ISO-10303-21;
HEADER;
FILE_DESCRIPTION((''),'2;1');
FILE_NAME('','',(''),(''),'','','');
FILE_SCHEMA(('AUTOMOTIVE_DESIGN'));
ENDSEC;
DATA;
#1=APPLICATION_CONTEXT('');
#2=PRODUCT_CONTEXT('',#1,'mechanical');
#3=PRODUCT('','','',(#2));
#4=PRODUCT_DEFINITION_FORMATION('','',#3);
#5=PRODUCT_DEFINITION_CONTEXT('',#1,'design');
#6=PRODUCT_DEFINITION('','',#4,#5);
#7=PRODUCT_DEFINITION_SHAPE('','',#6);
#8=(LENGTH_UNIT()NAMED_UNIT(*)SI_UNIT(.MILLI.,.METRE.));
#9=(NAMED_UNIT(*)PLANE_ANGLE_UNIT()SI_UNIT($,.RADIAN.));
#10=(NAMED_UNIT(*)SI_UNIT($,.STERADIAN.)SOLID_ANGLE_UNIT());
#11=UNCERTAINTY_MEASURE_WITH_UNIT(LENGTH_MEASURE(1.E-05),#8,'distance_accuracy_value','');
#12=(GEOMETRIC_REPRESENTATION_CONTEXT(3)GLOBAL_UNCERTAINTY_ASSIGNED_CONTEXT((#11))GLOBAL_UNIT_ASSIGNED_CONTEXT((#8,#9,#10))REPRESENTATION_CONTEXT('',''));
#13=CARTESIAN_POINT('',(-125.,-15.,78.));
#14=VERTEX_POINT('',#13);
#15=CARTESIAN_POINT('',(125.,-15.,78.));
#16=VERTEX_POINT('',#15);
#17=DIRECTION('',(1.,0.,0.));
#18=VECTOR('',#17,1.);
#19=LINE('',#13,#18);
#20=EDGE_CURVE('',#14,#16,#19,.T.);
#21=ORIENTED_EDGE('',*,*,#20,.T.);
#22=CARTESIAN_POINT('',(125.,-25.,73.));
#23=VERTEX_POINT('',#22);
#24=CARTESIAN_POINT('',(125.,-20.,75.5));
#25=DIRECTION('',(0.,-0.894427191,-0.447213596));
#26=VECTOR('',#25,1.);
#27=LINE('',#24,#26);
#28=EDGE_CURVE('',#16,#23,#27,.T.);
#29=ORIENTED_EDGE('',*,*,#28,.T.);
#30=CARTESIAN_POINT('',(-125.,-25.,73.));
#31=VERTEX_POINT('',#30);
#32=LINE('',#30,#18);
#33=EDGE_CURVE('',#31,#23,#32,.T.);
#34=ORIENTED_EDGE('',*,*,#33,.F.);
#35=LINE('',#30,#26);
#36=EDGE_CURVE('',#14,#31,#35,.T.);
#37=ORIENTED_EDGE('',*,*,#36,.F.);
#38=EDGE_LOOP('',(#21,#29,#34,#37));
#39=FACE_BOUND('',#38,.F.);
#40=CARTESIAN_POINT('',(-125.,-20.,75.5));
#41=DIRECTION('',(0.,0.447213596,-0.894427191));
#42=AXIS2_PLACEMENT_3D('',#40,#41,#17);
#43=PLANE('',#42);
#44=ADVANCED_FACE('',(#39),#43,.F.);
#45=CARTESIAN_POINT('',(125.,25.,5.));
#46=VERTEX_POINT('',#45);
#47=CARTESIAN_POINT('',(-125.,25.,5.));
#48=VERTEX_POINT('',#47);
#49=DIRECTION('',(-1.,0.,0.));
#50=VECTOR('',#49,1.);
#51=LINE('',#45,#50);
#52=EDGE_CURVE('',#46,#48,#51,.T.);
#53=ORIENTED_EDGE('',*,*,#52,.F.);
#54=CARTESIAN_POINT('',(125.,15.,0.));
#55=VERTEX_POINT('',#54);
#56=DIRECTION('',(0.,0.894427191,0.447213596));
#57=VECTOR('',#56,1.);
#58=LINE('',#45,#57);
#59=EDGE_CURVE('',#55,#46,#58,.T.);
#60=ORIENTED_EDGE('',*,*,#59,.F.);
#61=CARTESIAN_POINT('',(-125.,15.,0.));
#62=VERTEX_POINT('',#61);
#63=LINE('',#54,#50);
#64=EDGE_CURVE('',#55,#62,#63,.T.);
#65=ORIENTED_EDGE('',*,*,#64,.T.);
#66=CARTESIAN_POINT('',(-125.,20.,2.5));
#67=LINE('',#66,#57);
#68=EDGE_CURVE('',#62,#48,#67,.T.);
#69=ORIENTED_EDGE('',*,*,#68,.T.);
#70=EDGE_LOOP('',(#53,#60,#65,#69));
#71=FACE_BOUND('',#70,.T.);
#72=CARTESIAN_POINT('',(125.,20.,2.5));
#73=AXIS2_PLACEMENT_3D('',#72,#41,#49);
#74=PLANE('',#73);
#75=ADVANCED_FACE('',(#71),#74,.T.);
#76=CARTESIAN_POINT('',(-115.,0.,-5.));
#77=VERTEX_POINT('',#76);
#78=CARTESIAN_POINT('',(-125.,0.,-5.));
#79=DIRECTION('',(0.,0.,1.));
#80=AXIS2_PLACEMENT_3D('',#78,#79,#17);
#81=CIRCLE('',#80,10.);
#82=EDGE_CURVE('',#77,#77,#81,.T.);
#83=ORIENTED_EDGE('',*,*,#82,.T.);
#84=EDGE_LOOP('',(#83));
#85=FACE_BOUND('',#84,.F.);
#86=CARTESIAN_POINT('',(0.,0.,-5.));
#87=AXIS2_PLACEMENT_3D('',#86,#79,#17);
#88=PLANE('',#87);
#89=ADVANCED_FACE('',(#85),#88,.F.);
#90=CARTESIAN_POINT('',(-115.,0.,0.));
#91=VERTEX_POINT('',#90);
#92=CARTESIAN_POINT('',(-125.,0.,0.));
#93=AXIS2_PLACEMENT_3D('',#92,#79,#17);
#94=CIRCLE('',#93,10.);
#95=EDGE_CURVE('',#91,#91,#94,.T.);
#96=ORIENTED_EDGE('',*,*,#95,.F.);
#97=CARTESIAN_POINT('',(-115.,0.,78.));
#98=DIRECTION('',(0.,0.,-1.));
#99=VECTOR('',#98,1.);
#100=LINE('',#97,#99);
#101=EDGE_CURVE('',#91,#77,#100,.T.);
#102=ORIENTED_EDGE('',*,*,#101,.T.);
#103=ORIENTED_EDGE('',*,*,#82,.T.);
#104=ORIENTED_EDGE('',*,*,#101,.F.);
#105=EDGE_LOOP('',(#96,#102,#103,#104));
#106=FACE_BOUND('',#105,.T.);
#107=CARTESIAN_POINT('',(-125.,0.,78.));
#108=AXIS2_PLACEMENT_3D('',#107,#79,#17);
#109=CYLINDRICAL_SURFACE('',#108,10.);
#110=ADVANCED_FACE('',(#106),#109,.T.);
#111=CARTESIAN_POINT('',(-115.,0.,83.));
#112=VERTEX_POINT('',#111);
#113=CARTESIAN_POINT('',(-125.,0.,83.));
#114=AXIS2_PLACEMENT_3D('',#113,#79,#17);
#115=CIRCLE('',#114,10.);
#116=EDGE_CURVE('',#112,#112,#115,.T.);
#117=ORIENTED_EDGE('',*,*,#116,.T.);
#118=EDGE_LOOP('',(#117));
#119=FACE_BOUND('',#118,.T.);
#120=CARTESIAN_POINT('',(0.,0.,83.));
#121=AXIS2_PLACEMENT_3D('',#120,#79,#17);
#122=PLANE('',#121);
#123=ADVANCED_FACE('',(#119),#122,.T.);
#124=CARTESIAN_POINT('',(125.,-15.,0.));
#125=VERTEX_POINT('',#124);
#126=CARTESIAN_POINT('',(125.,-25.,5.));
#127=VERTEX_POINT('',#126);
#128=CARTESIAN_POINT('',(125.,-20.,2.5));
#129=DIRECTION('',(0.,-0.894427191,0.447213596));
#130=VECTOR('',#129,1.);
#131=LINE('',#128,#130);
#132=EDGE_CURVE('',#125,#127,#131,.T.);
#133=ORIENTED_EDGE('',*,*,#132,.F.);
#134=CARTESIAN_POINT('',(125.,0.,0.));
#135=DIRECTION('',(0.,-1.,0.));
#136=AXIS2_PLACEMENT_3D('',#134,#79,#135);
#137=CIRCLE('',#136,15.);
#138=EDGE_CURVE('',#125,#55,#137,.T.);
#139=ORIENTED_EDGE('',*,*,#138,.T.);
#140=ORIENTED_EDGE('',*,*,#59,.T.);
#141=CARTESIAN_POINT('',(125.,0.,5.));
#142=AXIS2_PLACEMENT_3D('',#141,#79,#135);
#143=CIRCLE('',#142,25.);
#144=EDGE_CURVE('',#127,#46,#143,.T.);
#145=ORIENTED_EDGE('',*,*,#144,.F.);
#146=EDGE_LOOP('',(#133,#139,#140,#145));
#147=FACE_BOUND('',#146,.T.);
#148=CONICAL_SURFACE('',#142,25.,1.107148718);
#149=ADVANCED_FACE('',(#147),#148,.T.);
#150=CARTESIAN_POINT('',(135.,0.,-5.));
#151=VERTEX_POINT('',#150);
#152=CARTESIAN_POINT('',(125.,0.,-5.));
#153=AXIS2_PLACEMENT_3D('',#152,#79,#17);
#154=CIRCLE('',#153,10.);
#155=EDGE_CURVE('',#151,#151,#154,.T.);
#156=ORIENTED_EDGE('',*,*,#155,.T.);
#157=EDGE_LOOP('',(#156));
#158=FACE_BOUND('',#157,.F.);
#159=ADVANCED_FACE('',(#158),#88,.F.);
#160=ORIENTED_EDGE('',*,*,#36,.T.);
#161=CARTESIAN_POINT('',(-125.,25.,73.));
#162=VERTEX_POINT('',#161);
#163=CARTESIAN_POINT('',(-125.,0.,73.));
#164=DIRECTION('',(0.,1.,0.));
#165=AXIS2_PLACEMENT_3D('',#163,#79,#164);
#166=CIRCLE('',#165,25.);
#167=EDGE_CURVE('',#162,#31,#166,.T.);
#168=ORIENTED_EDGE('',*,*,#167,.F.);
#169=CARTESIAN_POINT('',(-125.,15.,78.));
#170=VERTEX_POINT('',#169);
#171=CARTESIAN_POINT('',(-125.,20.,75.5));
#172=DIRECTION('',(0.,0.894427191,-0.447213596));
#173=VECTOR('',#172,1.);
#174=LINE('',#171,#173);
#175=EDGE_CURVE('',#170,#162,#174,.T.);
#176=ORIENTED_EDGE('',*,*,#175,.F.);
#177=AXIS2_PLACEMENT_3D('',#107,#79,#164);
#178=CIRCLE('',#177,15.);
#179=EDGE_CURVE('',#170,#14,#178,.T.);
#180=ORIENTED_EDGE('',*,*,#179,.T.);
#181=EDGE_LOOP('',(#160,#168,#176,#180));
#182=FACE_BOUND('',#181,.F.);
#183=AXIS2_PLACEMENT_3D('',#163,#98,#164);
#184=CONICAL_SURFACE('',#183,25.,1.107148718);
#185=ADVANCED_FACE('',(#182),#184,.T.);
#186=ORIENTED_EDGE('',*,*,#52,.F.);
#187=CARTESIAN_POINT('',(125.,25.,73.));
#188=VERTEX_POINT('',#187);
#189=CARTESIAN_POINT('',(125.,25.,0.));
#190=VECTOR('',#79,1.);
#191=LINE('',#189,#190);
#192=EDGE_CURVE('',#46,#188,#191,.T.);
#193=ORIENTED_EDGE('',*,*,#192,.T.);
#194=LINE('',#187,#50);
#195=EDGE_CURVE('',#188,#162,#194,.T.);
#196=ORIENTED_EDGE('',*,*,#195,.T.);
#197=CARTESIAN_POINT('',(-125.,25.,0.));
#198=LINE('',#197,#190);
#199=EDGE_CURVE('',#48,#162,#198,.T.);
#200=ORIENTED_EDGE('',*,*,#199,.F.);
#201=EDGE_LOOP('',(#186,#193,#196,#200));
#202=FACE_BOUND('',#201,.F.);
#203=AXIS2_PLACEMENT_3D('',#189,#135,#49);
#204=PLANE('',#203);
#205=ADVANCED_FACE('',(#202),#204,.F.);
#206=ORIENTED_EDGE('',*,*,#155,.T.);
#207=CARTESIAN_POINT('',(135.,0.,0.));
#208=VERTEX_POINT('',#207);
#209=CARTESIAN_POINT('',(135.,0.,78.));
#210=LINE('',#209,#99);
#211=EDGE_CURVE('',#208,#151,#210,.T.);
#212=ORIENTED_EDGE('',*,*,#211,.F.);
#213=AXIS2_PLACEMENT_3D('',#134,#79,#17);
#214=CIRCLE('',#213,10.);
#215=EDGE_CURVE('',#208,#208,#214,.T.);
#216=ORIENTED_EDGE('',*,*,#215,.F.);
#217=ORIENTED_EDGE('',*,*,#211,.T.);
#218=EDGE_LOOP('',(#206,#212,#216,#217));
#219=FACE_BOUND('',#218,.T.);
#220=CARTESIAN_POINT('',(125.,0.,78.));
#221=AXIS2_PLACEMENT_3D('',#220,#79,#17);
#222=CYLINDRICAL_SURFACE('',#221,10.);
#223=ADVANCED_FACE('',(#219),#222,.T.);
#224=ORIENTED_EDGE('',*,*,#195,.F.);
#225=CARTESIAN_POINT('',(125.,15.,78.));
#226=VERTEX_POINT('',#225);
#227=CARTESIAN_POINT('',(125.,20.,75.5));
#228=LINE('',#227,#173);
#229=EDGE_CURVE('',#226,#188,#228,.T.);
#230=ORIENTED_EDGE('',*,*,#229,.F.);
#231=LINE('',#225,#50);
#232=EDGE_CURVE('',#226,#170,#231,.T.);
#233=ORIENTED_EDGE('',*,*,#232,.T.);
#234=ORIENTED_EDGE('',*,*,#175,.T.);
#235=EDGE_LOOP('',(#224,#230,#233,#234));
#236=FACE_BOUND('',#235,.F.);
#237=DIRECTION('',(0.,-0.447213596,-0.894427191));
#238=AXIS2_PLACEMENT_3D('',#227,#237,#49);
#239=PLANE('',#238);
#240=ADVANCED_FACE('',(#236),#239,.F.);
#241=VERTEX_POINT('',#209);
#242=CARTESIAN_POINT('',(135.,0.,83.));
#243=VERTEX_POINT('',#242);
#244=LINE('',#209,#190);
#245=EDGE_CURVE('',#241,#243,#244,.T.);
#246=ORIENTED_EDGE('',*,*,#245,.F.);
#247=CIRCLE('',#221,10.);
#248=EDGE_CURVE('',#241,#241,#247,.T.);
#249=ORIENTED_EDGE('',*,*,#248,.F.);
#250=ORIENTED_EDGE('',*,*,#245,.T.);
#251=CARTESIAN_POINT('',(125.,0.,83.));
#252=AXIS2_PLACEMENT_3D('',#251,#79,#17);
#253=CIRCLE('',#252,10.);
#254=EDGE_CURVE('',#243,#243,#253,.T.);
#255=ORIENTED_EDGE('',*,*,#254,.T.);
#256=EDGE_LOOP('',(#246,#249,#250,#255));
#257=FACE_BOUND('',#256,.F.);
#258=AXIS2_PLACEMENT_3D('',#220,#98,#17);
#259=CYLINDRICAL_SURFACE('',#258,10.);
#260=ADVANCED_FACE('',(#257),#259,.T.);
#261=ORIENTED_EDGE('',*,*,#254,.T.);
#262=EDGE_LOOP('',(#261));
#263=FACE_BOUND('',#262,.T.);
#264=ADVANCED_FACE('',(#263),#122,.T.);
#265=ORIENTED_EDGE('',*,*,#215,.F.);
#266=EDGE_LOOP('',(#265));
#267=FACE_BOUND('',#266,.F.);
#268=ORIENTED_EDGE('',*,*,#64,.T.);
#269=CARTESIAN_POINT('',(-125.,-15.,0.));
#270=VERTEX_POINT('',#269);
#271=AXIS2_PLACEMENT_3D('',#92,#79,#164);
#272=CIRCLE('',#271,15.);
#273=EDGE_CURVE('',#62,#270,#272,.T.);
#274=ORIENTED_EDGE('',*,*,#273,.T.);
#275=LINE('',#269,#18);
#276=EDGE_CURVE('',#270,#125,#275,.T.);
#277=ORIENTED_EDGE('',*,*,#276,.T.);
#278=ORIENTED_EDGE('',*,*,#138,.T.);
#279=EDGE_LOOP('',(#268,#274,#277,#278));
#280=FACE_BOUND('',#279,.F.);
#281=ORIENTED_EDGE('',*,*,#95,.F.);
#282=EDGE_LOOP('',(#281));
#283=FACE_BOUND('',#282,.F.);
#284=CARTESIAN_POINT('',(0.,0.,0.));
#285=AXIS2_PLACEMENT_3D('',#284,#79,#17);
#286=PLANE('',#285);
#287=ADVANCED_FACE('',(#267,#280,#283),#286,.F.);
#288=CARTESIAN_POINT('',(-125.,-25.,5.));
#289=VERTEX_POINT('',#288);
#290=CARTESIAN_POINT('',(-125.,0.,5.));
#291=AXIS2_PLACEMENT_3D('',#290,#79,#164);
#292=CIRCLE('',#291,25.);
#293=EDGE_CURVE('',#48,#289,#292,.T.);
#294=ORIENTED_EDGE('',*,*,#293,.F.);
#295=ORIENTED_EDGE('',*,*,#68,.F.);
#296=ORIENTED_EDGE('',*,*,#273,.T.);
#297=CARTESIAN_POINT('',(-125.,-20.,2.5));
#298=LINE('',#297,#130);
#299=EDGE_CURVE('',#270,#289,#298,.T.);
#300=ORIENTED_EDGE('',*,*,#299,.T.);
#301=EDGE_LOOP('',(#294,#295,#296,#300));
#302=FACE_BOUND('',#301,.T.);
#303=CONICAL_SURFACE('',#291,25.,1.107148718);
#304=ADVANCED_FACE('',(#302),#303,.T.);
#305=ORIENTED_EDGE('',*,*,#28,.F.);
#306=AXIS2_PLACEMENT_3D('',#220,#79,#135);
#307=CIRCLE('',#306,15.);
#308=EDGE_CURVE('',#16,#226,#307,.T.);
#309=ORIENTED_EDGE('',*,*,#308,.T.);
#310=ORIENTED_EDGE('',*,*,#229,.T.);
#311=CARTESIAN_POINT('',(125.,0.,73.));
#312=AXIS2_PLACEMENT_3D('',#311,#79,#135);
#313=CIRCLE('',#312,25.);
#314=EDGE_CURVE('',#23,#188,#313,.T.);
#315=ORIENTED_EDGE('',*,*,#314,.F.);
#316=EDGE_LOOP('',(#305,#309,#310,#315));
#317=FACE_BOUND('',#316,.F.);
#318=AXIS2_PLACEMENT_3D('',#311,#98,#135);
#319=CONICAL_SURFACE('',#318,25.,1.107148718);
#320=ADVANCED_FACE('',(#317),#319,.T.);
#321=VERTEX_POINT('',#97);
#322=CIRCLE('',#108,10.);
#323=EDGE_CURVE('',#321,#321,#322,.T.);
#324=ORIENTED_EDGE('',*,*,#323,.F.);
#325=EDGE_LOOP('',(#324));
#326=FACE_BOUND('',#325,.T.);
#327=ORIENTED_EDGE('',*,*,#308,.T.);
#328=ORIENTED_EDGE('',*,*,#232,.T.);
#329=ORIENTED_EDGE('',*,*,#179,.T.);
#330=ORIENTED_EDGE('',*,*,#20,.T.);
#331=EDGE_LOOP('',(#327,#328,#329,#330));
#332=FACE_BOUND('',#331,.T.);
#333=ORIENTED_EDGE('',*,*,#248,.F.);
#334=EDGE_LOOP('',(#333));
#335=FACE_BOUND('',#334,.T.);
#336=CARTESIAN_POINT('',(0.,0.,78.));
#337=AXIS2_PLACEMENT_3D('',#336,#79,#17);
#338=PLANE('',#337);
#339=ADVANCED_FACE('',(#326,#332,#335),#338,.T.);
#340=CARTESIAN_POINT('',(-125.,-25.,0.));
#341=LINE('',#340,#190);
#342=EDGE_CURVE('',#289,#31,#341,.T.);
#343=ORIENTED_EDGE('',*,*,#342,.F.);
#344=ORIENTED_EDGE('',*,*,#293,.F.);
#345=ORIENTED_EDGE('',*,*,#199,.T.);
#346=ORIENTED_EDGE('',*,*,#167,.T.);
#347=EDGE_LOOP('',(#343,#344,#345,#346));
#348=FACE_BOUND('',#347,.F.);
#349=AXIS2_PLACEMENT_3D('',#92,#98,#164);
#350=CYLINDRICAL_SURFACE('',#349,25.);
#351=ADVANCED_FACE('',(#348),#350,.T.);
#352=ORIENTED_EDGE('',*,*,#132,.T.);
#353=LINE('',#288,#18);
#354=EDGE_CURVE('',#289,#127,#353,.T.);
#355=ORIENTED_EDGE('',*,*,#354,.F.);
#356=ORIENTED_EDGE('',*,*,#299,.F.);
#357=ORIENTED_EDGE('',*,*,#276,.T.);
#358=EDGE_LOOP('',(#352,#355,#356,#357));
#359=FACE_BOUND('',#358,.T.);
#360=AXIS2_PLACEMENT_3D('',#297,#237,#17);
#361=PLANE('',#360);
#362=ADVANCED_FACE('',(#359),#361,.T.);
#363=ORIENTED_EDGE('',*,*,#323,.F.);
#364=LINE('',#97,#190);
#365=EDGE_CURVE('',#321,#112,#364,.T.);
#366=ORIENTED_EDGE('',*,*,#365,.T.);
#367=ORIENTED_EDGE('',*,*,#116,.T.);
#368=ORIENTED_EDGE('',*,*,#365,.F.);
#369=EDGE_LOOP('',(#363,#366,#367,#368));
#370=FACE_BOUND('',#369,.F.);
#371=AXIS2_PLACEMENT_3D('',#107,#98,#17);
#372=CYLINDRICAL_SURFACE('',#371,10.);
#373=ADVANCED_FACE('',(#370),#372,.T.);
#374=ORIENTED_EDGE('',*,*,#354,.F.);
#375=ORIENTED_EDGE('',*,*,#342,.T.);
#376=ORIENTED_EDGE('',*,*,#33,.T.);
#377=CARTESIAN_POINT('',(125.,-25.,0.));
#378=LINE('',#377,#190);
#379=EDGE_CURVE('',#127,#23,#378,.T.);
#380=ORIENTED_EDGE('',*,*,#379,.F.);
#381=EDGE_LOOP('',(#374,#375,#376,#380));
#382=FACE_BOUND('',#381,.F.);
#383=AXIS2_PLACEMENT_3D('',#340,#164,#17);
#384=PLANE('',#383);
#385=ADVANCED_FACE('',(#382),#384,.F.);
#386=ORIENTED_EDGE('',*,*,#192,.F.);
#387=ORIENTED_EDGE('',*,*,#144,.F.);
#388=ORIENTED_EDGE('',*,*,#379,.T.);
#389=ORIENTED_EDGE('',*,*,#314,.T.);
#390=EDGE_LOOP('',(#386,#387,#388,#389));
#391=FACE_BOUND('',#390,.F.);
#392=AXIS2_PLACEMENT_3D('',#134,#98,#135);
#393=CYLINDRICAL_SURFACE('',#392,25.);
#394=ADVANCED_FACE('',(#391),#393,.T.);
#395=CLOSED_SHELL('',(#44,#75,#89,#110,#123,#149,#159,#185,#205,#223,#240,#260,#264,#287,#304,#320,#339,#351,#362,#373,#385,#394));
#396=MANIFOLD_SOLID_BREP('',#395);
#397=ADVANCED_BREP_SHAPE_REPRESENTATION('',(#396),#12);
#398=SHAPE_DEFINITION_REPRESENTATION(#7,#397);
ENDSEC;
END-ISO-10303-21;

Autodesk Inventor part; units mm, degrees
ref_plane "YZ Plane" through (0, 0, 0) normal (1, 0, 0) x (0, 1, 0)
ref_plane "XZ Plane" through (0, 0, 0) normal (0, 1, 0) x (-1, 0, 0)
ref_plane "XY Plane" through (0, 0, 0) normal (0, 0, 1) x (1, 0, 0)
sketch "Sketch1" plane through (0, 0, 0) normal (0, 0, 1) x (1, 0, 0)
  line L0 (-125, 0) -> (125, 0) construction
  line L1 (-125, -25) -> (125, -25)
  line L2 (125, 25) -> (-125, 25)
  arc A0 (-125, 25) -> (-125, -25) centre (-125, 0) ccw
  arc A1 (125, -25) -> (125, 25) centre (125, 0) ccw
  point P0 (0, 0)
  dimension "d0" = 125
  dimension "d1" = 50
extrude "Extrusion1" add sketch "Sketch1" along normal blind 78
chamfer "Chamfer1" distance 10 distance2 5 4 edges at (0, -25, 0) (150, 0, 0) (0, 25, 0) (-150, 0, 0) measured on face at (41.6667, -8.3333, 0)
chamfer "Chamfer2" distance 10 distance2 5 4 edges at (0, 25, 78) (-150, 0, 78) (0, -25, 78) (150, 0, 78) measured on face at (41.6667, -8.3333, 78)
sketch "Sketch2" plane through (0, 0, 78) normal (0, 0, 1) x (1, 0, 0)
  point P0 (0, 0)
sketch "Sketch3" plane through (0, 0, 78) normal (0, 0, 1) x (1, 0, 0)
  arc A0 (-125, 15) -> (-125, -15) centre (-125, 0) ccw projected
  arc A1 (125, -15) -> (125, 15) centre (125, 0) ccw projected
  circle A2 centre (-125, 0) radius 10
  circle A3 centre (125, 0) radius 10
  point P0 (0, 0)
  dimension "d10" = 20
  dimension "d11" = 20
extrude "Extrusion2" add sketch "Sketch3" along normal blind 5 and the other way blind 83
properties part number "Arm 2 v0.1"
